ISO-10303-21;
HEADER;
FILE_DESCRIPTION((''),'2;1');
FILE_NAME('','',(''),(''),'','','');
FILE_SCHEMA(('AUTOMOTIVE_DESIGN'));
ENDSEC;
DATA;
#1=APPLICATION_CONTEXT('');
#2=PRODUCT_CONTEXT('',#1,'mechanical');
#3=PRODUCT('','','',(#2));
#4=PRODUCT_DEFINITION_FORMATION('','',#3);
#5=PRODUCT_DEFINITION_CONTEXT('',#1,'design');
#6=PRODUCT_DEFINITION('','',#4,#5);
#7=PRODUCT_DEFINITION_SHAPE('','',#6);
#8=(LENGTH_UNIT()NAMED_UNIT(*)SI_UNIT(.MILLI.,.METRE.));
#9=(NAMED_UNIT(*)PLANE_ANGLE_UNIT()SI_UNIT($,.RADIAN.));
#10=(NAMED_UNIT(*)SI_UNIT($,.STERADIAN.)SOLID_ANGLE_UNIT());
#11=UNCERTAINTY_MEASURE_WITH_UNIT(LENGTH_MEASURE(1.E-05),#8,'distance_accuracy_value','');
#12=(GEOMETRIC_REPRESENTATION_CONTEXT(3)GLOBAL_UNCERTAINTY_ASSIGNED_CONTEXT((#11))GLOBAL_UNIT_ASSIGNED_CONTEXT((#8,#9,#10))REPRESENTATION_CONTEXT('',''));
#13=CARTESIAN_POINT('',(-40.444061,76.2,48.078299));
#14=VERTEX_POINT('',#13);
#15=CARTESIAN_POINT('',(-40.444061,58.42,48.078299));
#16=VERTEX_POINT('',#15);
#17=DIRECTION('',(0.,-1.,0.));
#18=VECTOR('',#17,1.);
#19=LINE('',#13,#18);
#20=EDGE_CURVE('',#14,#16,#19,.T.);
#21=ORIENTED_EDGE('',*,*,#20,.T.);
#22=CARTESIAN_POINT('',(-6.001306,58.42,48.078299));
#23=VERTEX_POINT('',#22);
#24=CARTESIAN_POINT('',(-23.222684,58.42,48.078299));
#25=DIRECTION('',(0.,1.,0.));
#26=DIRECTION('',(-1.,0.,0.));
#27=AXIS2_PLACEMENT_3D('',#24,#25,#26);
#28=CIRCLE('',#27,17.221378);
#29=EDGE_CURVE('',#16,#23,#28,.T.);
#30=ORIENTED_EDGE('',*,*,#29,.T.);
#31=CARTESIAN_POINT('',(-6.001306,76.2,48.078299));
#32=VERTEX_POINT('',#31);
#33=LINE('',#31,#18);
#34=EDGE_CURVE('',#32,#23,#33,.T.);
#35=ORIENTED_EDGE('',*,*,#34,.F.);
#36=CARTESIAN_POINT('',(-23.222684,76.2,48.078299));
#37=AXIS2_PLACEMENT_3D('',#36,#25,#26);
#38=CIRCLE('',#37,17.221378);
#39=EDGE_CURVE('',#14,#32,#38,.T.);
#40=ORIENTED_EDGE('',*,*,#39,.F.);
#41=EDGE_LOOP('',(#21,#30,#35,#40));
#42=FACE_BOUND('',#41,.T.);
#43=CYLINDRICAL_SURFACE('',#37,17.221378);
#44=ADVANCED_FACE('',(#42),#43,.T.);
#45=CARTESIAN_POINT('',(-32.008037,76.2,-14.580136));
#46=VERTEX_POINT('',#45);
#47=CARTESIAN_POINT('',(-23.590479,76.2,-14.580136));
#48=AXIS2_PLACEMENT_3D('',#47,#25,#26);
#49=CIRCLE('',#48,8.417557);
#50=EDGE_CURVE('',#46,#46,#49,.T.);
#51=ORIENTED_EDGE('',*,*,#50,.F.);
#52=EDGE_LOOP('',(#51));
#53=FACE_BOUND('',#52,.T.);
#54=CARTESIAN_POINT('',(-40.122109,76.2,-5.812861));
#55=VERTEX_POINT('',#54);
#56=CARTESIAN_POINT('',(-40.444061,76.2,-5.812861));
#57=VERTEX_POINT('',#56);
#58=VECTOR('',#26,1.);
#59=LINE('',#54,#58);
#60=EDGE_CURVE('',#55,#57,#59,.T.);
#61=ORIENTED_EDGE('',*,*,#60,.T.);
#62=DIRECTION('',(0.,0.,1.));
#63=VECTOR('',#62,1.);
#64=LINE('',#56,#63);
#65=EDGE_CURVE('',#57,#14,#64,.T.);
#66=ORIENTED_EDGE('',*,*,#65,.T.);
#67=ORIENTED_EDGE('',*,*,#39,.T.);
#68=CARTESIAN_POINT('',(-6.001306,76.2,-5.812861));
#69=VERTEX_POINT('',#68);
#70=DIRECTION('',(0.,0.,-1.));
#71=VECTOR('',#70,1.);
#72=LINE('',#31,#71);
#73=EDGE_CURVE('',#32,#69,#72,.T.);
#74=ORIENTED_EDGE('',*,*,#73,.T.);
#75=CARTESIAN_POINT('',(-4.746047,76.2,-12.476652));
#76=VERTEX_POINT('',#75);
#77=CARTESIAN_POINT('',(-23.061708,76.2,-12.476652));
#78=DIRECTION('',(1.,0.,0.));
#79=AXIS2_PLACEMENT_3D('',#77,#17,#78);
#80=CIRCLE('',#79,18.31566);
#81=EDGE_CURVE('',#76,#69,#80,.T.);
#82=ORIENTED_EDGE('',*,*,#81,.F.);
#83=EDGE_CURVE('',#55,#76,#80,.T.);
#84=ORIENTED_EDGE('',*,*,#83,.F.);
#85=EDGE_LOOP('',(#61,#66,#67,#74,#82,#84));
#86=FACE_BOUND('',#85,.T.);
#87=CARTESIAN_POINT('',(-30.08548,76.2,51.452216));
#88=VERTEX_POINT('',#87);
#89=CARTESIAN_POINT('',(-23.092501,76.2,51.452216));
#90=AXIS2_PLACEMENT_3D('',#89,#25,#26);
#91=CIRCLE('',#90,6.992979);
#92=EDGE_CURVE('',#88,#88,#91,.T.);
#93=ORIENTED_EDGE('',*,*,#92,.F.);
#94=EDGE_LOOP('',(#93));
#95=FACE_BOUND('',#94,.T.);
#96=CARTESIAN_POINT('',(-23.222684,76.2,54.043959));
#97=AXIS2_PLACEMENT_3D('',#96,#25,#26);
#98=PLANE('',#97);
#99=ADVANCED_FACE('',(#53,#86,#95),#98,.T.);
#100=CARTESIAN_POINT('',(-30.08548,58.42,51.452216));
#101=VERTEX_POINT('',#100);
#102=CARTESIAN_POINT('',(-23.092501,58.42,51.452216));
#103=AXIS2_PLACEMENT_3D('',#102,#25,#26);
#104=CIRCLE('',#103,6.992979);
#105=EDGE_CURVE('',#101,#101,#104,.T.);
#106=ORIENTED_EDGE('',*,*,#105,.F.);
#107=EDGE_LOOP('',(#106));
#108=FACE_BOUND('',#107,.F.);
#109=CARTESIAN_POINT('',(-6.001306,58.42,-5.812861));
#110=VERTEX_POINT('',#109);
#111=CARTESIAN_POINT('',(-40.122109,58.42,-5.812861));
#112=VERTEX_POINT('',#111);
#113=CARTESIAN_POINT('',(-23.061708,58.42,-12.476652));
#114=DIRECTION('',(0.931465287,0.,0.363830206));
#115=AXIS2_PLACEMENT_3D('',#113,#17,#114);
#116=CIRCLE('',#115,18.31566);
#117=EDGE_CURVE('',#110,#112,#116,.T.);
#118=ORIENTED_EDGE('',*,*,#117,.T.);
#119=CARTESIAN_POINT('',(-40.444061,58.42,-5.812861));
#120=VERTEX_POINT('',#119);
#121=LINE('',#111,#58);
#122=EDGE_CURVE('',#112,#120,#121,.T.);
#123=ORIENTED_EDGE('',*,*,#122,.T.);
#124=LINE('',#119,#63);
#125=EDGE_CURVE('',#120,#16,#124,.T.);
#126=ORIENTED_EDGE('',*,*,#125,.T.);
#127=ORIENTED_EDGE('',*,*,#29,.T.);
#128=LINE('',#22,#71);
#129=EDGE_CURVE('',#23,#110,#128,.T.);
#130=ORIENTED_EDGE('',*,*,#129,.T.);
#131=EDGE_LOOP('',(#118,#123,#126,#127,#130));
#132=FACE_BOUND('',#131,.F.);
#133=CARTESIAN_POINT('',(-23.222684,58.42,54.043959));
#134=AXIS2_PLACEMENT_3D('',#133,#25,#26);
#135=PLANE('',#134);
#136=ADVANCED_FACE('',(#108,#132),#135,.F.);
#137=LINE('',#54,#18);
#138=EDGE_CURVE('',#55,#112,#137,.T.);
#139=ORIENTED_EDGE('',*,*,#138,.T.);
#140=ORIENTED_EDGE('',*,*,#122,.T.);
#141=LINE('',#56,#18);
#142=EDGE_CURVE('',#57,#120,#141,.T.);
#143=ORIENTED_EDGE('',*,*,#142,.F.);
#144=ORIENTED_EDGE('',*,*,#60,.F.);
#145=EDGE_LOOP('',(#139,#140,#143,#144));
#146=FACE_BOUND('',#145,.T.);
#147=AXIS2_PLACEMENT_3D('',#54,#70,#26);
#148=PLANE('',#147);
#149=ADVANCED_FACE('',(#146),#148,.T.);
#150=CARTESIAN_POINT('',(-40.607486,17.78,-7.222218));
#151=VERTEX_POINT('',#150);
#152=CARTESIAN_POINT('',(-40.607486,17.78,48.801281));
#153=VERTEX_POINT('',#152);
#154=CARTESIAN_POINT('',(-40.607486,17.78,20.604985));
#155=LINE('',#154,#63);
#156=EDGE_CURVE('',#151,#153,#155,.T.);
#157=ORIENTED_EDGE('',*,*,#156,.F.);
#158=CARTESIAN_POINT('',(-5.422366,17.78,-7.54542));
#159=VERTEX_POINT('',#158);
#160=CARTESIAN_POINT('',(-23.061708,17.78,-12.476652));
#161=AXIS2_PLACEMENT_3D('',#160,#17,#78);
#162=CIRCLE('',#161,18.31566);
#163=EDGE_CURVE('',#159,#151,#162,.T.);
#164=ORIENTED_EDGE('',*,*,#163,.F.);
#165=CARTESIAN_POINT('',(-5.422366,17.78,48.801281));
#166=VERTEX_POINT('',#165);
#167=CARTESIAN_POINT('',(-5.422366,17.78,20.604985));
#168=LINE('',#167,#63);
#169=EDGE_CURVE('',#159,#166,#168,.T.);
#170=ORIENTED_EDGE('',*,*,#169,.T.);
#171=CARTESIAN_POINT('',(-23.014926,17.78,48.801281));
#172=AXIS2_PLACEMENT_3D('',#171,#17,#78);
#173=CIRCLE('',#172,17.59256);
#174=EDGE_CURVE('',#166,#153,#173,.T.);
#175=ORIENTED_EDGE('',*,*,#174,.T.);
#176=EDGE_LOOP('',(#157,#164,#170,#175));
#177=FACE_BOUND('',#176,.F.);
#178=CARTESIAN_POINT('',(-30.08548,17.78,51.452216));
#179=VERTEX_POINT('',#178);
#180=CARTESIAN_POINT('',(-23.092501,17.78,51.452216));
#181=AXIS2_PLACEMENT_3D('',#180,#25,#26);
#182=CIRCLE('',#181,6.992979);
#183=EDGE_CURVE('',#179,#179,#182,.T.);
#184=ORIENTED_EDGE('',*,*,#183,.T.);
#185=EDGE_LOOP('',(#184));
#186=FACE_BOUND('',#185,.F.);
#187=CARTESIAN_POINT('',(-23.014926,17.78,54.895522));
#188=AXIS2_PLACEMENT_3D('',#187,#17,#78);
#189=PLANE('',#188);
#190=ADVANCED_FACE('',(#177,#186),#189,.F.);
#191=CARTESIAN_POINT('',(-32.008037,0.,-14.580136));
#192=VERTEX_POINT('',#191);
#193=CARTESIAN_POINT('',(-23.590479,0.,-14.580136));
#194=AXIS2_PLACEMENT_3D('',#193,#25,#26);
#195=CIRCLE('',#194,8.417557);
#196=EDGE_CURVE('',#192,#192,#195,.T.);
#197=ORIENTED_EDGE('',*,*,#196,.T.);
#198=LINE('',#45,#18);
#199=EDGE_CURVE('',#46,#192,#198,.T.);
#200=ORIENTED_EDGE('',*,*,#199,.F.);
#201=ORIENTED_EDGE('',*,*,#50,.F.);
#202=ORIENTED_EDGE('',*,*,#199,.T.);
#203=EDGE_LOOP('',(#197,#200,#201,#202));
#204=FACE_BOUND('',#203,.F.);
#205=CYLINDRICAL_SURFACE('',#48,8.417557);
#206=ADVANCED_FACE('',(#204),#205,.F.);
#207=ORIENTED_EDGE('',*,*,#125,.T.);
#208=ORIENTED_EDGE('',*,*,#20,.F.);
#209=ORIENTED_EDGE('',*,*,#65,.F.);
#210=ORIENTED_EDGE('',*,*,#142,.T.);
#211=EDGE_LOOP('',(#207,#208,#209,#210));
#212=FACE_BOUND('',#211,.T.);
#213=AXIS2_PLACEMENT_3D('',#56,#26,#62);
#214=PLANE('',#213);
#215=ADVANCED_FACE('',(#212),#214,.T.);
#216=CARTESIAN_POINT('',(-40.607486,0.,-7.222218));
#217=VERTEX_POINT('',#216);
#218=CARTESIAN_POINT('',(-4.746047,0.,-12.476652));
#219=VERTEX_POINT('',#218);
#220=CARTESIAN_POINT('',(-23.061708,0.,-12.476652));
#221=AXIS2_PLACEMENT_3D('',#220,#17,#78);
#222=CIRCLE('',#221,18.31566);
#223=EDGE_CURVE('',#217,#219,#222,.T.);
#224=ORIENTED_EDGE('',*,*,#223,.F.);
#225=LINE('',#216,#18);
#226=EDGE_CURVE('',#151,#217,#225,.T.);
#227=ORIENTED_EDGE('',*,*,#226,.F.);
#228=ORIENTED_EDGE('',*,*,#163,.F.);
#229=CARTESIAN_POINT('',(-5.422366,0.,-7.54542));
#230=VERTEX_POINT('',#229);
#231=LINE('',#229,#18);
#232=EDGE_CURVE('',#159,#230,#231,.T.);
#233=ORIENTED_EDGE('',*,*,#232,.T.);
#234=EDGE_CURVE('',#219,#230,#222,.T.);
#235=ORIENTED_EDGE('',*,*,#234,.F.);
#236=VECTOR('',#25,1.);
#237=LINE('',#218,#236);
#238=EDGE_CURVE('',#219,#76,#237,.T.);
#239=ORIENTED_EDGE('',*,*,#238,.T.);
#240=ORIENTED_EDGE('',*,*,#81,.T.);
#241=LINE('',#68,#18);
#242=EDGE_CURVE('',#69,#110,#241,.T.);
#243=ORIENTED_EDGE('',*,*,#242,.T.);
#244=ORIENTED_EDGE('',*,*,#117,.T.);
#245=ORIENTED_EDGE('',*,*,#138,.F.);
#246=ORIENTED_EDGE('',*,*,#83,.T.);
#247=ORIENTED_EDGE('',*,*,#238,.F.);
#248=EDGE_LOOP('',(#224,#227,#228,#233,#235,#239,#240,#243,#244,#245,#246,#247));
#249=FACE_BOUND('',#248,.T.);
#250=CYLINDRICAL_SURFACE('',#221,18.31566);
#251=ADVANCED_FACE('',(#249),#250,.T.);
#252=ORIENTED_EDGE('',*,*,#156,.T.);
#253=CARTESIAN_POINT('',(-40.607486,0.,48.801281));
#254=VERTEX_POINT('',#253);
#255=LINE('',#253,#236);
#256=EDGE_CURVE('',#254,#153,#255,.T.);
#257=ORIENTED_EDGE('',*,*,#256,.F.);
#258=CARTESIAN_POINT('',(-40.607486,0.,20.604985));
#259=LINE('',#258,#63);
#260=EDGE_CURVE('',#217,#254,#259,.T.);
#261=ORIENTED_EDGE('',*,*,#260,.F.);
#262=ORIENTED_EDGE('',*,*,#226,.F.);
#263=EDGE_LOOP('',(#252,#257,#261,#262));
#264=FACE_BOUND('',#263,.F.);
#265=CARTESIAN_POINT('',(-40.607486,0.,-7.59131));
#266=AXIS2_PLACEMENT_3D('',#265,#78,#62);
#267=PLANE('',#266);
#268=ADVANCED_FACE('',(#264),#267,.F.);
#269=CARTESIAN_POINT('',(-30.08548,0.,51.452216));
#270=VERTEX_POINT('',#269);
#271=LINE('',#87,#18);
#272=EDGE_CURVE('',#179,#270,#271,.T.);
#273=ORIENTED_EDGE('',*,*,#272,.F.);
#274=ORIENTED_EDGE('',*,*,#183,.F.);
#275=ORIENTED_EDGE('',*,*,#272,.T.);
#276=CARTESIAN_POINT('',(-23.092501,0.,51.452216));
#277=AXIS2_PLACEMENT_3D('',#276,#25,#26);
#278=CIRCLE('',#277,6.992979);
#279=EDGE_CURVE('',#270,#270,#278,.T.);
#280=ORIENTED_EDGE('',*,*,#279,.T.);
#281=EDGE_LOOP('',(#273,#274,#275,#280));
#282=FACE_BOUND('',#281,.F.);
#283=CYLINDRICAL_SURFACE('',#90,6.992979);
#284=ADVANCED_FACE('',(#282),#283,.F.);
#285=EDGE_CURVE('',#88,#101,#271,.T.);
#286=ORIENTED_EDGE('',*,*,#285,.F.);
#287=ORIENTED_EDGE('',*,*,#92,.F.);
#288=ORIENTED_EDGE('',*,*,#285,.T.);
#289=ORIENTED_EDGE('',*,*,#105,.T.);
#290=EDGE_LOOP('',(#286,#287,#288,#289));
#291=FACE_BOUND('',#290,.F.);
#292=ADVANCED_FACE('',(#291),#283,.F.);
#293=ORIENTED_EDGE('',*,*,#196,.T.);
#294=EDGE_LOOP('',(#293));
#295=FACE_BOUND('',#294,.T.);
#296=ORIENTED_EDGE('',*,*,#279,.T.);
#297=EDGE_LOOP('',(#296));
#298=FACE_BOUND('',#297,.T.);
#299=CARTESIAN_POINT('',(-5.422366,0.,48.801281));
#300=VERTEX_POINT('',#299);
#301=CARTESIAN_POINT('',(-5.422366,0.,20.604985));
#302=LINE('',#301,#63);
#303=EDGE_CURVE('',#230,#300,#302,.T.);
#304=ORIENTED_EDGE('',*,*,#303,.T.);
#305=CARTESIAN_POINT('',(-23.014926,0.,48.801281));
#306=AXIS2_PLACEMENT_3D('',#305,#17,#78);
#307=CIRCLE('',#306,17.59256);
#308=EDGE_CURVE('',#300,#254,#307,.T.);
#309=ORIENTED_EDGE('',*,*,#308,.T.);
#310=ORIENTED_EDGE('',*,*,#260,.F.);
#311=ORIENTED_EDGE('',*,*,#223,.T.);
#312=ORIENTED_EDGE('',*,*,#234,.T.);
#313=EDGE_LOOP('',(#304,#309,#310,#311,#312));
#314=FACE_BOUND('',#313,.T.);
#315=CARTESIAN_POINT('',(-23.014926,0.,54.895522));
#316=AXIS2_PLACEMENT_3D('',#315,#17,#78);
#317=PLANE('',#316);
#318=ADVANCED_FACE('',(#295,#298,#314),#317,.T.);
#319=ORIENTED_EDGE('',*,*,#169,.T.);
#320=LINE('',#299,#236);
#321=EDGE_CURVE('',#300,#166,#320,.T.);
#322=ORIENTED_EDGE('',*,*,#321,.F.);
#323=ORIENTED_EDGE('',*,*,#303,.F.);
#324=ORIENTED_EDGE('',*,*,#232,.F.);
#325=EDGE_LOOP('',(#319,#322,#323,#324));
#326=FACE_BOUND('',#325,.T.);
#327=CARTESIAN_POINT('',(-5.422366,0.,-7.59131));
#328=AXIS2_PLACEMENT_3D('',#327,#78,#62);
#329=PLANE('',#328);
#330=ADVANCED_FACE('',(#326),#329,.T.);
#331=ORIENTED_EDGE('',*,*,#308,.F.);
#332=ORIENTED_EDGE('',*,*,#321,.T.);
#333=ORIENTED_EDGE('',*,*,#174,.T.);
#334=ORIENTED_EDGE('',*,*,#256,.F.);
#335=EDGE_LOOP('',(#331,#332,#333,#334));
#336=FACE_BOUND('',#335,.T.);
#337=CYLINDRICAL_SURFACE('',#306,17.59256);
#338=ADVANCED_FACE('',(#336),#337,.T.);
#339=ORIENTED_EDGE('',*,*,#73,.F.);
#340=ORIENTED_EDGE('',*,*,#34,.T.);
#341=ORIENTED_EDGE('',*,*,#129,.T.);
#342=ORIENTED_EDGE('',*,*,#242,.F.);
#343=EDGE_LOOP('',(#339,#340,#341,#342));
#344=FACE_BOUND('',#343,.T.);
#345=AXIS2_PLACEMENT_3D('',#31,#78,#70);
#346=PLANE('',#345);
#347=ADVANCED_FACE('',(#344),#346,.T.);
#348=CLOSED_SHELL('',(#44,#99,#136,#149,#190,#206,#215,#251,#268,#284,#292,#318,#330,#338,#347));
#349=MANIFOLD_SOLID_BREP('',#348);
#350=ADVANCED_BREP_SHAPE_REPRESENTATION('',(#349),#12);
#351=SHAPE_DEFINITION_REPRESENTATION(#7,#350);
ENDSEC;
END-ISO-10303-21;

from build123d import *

# Parameters (mm, degrees)
F0_R      = 18.3156602834
F1_DEPTH  = 76.2
F2_W      = 35.1851196028
F2_H      = 56.3925905153
F3_DEPTH  = 17.78
F5_DEPTH  = 17.78
F7_DEPTH  = 17.78
F9_DEPTH  = 17.78
F10_R     = 6.9929791969
F11_DEPTH = 127
F12_R     = 8.4175574938
F13_DEPTH = 127


with BuildPart() as f1:
    # F0 (on Front) → F1 (new body)
    with BuildSketch(Plane.XZ):
        with Locations((-23.0617076159, -12.4766519293)):
            Circle(F0_R)
    extrude(amount=-F1_DEPTH)

    # F2 (on Front) → F3 (join)
    with BuildSketch(Plane.XZ):
        with Locations((-23.0149261188, 20.6049853005)):
            Rectangle(F2_W, F2_H)
    extrude(amount=-F3_DEPTH)

    # F4 (on face) → F5 (join)
    with BuildSketch(Plane(origin=(0, 76.2, 0), x_dir=(-1, 0, 0), z_dir=(0, 1, 0))):
        with BuildLine():
            Line((6.0013058485, 48.0782985687), (6.0013058485, -5.8128614799))
            ThreePointArc((6.0013058485, -5.8128614799), (23.0617076159, 5.8390083541), (40.1221093832, -5.8128614799))
            Line((40.1221093832, -5.8128614799), (40.4440611601, -5.8128614799))
            Line((40.4440611601, -5.8128614799), (40.4440611601, 48.0782985687))
            Line((40.4440611601, 48.0782985687), (6.0013058485, 48.0782985687))
        make_face()
    extrude(amount=-F5_DEPTH)

    # F6 (on face) → F7 (join)
    with BuildSketch(Plane.XZ):
        with BuildLine():
            Line((-40.6074859202, 48.8012805581), (-5.4223663174, 48.8012805581))
            ThreePointArc((-5.4223663174, 48.8012805581), (-23.0149261188, 66.3938403595), (-40.6074859202, 48.8012805581))
        make_face()
    extrude(amount=-F7_DEPTH)

    # F8 (on face) → F9 (join)
    with BuildSketch(Plane(origin=(0, 76.2, 0), x_dir=(-1, 0, 0), z_dir=(0, 1, 0))):
        with BuildLine():
            Line((6.0013058485, 48.0782985687), (40.4440611601, 48.0782985687))
            ThreePointArc((40.4440611601, 48.0782985687), (23.2226835043, 65.2996762245), (6.0013058485, 48.0782985687))
        make_face()
    extrude(amount=-F9_DEPTH)

    # F10 (on face) → F11 (cut)
    with BuildSketch(Plane(origin=(0, 76.2, 0), x_dir=(-1, 0, 0), z_dir=(0, 1, 0))):
        with Locations((23.0925008655, 51.4522157609)):
            Circle(F10_R)
    extrude(amount=-F11_DEPTH, mode=Mode.SUBTRACT)

    # F12 (on face) → F13 (cut)
    with BuildSketch(Plane(origin=(0, 76.2, 0), x_dir=(-1, 0, 0), z_dir=(0, 1, 0))):
        with Locations((23.5904790461, -14.580136165)):
            Circle(F12_R)
    extrude(amount=-F13_DEPTH, mode=Mode.SUBTRACT)


solid = f1.part
